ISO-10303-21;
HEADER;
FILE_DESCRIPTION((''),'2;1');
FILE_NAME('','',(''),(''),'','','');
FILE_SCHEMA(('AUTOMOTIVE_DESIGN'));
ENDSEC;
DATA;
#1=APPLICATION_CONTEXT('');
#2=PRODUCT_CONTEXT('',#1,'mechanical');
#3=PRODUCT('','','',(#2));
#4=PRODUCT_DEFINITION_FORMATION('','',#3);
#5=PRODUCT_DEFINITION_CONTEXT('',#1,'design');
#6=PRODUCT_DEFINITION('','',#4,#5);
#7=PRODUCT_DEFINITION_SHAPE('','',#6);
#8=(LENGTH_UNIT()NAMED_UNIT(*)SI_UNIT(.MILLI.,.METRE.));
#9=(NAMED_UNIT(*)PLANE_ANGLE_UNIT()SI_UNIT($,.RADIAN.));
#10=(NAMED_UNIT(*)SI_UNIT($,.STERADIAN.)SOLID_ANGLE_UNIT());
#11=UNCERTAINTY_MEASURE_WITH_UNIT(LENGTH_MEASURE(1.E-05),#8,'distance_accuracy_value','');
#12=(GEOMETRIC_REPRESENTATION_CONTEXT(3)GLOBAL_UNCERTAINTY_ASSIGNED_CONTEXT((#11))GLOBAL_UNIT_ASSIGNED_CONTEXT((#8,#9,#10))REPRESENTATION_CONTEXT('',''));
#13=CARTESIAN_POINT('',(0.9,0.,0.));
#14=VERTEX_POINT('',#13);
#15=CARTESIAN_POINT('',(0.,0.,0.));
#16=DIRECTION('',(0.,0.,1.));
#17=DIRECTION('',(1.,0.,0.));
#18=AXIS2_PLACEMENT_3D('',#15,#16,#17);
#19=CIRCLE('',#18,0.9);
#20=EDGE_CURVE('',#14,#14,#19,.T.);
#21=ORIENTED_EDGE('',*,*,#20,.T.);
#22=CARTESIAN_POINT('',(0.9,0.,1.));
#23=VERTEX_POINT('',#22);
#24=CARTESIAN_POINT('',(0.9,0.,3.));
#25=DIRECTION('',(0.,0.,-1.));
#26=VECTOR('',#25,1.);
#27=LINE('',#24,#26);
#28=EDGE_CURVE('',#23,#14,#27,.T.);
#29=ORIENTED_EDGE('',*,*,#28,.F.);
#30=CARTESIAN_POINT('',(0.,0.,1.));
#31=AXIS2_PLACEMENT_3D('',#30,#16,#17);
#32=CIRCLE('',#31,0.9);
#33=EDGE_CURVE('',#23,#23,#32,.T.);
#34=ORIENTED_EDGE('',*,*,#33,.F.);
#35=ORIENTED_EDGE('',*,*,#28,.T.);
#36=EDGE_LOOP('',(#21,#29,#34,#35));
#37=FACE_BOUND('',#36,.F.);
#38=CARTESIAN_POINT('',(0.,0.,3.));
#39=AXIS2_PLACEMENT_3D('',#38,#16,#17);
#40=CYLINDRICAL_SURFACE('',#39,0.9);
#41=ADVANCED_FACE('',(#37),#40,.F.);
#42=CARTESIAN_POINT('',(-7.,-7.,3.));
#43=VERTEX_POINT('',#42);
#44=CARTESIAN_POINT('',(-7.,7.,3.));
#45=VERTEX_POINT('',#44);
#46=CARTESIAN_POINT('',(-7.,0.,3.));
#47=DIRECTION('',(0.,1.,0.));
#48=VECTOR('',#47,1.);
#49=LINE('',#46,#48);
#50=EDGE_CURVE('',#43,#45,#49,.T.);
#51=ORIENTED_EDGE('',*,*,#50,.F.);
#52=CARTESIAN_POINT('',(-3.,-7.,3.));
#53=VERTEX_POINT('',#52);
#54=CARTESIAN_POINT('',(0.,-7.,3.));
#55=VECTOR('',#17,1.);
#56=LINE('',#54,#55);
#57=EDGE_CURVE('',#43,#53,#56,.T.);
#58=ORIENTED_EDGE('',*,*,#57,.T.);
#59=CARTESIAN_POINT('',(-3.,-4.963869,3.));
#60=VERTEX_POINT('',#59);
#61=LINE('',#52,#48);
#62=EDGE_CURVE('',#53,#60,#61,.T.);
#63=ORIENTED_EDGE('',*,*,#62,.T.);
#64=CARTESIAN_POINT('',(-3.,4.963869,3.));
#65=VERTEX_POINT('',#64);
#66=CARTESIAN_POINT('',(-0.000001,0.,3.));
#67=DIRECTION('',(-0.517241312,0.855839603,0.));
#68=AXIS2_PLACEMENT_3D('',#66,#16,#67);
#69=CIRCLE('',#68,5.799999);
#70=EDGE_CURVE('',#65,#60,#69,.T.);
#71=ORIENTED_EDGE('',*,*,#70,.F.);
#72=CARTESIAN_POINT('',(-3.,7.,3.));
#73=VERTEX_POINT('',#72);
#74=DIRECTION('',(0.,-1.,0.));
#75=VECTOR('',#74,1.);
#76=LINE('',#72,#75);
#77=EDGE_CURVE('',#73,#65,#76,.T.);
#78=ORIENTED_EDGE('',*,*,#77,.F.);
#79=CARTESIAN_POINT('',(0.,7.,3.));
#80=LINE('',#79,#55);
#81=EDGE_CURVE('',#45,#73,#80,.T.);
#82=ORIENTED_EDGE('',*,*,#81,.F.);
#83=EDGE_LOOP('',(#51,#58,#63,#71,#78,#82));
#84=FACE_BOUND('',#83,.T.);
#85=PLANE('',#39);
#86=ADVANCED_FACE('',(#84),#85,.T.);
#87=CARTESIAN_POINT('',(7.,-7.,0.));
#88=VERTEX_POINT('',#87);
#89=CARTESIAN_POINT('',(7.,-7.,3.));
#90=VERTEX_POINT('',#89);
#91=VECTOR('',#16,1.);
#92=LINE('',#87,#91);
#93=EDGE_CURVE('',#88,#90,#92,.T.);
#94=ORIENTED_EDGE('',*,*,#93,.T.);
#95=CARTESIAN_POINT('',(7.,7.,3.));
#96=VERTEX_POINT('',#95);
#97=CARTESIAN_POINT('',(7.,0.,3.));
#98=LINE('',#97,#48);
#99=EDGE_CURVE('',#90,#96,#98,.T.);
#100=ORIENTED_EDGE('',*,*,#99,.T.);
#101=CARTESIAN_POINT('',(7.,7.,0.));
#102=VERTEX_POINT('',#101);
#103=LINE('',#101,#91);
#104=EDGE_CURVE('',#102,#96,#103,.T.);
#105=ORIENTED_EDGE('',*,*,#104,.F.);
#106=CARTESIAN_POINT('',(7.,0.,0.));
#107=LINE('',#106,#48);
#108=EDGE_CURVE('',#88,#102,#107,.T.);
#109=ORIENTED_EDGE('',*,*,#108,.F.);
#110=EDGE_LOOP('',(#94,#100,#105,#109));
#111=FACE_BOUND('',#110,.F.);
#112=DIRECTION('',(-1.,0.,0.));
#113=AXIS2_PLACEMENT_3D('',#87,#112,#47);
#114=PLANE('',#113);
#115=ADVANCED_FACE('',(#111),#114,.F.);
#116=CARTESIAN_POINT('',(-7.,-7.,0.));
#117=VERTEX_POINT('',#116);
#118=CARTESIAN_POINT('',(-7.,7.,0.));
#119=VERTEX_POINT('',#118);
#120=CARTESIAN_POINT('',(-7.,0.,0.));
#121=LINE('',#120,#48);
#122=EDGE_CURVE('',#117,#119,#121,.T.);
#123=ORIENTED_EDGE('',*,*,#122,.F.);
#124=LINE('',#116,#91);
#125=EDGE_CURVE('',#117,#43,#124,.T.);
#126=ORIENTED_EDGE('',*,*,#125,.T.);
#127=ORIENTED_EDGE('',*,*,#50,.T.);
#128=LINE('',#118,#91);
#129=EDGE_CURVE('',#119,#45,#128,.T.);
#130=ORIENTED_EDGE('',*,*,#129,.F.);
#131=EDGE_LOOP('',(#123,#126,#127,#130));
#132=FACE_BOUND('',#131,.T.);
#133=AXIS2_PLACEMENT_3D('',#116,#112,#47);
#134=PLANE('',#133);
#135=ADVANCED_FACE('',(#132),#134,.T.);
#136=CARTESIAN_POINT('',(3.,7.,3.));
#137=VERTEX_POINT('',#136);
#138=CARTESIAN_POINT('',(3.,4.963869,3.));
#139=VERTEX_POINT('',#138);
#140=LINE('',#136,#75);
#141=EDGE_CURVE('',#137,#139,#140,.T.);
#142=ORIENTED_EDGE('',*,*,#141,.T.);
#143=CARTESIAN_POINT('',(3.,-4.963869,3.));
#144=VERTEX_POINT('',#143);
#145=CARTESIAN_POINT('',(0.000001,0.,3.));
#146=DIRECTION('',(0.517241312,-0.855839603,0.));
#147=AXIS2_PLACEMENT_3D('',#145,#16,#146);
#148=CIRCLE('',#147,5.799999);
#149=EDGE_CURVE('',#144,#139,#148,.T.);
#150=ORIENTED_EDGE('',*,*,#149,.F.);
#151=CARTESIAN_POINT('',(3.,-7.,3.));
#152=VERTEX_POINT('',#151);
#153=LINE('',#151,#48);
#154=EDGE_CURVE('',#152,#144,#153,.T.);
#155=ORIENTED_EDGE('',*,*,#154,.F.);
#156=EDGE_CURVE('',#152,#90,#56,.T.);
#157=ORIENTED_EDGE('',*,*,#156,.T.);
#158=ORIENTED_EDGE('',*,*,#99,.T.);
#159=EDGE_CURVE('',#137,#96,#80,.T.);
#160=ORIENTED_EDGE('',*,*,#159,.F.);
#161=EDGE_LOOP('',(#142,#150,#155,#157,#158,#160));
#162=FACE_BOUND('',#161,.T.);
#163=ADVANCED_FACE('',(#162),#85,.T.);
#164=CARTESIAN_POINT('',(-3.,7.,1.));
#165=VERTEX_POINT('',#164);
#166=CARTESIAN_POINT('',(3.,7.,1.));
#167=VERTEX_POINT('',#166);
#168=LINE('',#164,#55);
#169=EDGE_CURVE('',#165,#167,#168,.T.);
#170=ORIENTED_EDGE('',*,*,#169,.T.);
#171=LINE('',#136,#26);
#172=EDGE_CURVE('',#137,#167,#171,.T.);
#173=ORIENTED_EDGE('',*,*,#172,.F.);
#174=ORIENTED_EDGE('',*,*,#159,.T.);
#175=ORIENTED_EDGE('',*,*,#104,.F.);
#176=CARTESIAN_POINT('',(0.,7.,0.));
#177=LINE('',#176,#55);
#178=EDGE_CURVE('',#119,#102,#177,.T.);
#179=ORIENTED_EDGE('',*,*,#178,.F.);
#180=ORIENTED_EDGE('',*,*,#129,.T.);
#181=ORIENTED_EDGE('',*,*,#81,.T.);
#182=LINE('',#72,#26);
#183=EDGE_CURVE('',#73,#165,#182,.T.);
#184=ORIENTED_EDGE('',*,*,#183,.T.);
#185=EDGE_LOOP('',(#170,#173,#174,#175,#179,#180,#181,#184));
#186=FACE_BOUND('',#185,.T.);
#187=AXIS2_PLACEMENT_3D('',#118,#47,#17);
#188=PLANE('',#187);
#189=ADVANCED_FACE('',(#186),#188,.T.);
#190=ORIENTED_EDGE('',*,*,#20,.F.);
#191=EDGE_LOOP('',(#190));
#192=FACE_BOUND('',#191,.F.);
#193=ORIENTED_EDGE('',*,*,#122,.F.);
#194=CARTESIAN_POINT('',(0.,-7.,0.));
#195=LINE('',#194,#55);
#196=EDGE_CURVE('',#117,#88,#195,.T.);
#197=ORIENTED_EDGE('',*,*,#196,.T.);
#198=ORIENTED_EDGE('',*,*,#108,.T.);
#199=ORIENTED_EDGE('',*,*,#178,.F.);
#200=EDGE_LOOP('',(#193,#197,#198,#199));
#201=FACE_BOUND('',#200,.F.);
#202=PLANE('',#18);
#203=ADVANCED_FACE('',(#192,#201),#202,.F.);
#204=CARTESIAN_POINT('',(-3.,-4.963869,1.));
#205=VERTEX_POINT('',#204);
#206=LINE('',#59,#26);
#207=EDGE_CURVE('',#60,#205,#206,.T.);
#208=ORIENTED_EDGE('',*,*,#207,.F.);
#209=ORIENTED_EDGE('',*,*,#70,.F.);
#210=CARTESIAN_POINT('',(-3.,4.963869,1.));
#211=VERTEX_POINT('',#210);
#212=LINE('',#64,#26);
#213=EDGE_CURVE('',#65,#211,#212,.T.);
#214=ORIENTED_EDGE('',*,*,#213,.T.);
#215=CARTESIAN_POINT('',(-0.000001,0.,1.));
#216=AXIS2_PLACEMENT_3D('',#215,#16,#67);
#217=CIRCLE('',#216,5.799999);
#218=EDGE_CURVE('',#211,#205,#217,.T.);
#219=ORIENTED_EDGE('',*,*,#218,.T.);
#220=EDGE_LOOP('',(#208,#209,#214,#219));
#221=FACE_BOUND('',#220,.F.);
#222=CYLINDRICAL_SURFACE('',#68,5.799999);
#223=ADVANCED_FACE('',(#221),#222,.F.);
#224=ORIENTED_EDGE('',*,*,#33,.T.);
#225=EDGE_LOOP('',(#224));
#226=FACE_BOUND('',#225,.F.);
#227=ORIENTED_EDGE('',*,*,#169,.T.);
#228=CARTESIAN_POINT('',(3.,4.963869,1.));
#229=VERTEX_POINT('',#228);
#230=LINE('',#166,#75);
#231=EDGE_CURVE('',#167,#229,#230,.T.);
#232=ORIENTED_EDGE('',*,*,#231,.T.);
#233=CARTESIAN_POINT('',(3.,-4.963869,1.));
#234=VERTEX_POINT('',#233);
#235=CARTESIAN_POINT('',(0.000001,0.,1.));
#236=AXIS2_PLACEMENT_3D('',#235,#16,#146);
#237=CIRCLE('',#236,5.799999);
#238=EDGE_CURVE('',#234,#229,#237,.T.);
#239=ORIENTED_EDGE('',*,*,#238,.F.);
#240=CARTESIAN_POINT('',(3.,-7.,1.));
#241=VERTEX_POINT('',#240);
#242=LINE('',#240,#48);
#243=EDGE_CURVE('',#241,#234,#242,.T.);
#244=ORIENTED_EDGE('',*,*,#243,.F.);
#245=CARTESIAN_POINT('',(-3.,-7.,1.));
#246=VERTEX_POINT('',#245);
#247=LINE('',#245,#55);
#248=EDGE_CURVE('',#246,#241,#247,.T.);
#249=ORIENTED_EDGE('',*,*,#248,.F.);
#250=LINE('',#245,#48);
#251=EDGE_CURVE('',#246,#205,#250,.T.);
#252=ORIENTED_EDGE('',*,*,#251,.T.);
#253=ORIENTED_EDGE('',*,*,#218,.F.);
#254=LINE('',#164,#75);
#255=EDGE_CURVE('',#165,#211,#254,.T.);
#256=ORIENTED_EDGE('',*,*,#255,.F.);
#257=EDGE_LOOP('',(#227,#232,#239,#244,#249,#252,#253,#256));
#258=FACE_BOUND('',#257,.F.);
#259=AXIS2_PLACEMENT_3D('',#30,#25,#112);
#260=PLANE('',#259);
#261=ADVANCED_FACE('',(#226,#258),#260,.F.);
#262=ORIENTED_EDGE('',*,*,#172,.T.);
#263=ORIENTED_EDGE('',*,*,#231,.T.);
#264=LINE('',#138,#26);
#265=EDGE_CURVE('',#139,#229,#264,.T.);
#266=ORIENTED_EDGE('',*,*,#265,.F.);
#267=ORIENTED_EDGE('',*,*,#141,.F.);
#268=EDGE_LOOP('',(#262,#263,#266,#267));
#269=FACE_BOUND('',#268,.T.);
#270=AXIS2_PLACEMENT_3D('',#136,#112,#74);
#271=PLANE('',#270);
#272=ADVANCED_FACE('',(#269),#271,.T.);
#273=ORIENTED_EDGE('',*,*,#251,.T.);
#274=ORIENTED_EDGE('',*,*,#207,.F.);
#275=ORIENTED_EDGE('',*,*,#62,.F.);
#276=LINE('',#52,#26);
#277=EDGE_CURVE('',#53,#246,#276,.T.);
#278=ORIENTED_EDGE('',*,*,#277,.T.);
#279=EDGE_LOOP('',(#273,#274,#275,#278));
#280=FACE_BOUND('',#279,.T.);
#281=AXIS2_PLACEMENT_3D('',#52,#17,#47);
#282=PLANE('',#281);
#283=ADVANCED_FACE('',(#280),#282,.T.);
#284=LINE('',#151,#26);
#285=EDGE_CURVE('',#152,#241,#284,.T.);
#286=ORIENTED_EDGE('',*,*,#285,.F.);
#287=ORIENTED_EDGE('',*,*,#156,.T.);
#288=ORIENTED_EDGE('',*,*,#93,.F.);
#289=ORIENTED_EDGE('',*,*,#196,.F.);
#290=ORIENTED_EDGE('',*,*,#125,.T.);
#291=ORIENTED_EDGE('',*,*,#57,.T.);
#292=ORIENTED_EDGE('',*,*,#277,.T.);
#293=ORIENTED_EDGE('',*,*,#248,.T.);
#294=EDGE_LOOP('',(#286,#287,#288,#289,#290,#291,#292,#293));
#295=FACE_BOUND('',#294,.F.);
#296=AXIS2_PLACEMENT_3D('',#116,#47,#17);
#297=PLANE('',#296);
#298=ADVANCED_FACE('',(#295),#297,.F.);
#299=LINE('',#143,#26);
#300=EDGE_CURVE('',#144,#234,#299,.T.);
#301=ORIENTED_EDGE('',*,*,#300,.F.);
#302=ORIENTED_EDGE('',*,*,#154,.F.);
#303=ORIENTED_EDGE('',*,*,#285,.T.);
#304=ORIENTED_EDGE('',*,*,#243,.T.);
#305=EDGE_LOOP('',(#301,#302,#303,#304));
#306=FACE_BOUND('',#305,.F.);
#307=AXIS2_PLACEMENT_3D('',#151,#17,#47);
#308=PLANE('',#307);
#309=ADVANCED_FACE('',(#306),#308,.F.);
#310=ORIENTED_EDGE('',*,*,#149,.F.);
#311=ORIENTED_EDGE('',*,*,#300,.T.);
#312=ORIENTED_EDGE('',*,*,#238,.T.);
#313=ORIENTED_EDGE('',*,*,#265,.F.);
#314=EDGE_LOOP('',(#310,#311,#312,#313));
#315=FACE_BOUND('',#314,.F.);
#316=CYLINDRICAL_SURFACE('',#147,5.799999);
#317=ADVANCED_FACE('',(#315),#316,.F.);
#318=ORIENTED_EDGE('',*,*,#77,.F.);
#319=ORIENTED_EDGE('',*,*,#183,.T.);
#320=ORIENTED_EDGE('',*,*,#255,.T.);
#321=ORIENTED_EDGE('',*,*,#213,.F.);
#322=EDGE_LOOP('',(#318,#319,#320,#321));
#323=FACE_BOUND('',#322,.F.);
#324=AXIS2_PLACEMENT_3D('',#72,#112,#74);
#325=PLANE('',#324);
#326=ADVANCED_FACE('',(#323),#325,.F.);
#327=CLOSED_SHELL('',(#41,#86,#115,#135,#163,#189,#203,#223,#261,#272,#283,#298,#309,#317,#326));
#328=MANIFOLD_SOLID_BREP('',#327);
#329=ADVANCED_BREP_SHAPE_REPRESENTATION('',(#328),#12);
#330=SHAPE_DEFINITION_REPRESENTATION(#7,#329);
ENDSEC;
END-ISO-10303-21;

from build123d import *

# Parameters (mm, degrees)
SKETCH_W        = 14
SKETCH_H        = 14
PAD_DEPTH       = 3
SKETCH001_R     = 0.9
POCKET_DEPTH    = 5
POCKET001_DEPTH = 2


with BuildPart() as part:
    # Sketch → Pad (new body)
    with BuildSketch(Plane.XY):
        Rectangle(SKETCH_W, SKETCH_H)
    extrude(amount=PAD_DEPTH)

    # Sketch001 → Pocket (cut)
    with BuildSketch(Plane.XY.offset(3)):
        Circle(SKETCH001_R)
    extrude(amount=-POCKET_DEPTH, mode=Mode.SUBTRACT)

    # Sketch002 → Pocket001 (cut)
    with BuildSketch(Plane.XY.offset(3)):
        with BuildLine():
            Line((-3, 7), (3, 7))
            Line((3, 7), (3, 4.963869))
            ThreePointArc((3, -4.963869), (5.8, 0), (3, 4.963869))
            Line((3, -7), (3, -4.963869))
            Line((-3, -7), (3, -7))
            Line((-3, -7), (-3, -4.963869))
            ThreePointArc((-3, 4.963869), (-5.8, 0), (-3, -4.963869))
            Line((-3, 7), (-3, 4.963869))
        make_face()
    extrude(amount=-POCKET001_DEPTH, mode=Mode.SUBTRACT)


solid = part.part
